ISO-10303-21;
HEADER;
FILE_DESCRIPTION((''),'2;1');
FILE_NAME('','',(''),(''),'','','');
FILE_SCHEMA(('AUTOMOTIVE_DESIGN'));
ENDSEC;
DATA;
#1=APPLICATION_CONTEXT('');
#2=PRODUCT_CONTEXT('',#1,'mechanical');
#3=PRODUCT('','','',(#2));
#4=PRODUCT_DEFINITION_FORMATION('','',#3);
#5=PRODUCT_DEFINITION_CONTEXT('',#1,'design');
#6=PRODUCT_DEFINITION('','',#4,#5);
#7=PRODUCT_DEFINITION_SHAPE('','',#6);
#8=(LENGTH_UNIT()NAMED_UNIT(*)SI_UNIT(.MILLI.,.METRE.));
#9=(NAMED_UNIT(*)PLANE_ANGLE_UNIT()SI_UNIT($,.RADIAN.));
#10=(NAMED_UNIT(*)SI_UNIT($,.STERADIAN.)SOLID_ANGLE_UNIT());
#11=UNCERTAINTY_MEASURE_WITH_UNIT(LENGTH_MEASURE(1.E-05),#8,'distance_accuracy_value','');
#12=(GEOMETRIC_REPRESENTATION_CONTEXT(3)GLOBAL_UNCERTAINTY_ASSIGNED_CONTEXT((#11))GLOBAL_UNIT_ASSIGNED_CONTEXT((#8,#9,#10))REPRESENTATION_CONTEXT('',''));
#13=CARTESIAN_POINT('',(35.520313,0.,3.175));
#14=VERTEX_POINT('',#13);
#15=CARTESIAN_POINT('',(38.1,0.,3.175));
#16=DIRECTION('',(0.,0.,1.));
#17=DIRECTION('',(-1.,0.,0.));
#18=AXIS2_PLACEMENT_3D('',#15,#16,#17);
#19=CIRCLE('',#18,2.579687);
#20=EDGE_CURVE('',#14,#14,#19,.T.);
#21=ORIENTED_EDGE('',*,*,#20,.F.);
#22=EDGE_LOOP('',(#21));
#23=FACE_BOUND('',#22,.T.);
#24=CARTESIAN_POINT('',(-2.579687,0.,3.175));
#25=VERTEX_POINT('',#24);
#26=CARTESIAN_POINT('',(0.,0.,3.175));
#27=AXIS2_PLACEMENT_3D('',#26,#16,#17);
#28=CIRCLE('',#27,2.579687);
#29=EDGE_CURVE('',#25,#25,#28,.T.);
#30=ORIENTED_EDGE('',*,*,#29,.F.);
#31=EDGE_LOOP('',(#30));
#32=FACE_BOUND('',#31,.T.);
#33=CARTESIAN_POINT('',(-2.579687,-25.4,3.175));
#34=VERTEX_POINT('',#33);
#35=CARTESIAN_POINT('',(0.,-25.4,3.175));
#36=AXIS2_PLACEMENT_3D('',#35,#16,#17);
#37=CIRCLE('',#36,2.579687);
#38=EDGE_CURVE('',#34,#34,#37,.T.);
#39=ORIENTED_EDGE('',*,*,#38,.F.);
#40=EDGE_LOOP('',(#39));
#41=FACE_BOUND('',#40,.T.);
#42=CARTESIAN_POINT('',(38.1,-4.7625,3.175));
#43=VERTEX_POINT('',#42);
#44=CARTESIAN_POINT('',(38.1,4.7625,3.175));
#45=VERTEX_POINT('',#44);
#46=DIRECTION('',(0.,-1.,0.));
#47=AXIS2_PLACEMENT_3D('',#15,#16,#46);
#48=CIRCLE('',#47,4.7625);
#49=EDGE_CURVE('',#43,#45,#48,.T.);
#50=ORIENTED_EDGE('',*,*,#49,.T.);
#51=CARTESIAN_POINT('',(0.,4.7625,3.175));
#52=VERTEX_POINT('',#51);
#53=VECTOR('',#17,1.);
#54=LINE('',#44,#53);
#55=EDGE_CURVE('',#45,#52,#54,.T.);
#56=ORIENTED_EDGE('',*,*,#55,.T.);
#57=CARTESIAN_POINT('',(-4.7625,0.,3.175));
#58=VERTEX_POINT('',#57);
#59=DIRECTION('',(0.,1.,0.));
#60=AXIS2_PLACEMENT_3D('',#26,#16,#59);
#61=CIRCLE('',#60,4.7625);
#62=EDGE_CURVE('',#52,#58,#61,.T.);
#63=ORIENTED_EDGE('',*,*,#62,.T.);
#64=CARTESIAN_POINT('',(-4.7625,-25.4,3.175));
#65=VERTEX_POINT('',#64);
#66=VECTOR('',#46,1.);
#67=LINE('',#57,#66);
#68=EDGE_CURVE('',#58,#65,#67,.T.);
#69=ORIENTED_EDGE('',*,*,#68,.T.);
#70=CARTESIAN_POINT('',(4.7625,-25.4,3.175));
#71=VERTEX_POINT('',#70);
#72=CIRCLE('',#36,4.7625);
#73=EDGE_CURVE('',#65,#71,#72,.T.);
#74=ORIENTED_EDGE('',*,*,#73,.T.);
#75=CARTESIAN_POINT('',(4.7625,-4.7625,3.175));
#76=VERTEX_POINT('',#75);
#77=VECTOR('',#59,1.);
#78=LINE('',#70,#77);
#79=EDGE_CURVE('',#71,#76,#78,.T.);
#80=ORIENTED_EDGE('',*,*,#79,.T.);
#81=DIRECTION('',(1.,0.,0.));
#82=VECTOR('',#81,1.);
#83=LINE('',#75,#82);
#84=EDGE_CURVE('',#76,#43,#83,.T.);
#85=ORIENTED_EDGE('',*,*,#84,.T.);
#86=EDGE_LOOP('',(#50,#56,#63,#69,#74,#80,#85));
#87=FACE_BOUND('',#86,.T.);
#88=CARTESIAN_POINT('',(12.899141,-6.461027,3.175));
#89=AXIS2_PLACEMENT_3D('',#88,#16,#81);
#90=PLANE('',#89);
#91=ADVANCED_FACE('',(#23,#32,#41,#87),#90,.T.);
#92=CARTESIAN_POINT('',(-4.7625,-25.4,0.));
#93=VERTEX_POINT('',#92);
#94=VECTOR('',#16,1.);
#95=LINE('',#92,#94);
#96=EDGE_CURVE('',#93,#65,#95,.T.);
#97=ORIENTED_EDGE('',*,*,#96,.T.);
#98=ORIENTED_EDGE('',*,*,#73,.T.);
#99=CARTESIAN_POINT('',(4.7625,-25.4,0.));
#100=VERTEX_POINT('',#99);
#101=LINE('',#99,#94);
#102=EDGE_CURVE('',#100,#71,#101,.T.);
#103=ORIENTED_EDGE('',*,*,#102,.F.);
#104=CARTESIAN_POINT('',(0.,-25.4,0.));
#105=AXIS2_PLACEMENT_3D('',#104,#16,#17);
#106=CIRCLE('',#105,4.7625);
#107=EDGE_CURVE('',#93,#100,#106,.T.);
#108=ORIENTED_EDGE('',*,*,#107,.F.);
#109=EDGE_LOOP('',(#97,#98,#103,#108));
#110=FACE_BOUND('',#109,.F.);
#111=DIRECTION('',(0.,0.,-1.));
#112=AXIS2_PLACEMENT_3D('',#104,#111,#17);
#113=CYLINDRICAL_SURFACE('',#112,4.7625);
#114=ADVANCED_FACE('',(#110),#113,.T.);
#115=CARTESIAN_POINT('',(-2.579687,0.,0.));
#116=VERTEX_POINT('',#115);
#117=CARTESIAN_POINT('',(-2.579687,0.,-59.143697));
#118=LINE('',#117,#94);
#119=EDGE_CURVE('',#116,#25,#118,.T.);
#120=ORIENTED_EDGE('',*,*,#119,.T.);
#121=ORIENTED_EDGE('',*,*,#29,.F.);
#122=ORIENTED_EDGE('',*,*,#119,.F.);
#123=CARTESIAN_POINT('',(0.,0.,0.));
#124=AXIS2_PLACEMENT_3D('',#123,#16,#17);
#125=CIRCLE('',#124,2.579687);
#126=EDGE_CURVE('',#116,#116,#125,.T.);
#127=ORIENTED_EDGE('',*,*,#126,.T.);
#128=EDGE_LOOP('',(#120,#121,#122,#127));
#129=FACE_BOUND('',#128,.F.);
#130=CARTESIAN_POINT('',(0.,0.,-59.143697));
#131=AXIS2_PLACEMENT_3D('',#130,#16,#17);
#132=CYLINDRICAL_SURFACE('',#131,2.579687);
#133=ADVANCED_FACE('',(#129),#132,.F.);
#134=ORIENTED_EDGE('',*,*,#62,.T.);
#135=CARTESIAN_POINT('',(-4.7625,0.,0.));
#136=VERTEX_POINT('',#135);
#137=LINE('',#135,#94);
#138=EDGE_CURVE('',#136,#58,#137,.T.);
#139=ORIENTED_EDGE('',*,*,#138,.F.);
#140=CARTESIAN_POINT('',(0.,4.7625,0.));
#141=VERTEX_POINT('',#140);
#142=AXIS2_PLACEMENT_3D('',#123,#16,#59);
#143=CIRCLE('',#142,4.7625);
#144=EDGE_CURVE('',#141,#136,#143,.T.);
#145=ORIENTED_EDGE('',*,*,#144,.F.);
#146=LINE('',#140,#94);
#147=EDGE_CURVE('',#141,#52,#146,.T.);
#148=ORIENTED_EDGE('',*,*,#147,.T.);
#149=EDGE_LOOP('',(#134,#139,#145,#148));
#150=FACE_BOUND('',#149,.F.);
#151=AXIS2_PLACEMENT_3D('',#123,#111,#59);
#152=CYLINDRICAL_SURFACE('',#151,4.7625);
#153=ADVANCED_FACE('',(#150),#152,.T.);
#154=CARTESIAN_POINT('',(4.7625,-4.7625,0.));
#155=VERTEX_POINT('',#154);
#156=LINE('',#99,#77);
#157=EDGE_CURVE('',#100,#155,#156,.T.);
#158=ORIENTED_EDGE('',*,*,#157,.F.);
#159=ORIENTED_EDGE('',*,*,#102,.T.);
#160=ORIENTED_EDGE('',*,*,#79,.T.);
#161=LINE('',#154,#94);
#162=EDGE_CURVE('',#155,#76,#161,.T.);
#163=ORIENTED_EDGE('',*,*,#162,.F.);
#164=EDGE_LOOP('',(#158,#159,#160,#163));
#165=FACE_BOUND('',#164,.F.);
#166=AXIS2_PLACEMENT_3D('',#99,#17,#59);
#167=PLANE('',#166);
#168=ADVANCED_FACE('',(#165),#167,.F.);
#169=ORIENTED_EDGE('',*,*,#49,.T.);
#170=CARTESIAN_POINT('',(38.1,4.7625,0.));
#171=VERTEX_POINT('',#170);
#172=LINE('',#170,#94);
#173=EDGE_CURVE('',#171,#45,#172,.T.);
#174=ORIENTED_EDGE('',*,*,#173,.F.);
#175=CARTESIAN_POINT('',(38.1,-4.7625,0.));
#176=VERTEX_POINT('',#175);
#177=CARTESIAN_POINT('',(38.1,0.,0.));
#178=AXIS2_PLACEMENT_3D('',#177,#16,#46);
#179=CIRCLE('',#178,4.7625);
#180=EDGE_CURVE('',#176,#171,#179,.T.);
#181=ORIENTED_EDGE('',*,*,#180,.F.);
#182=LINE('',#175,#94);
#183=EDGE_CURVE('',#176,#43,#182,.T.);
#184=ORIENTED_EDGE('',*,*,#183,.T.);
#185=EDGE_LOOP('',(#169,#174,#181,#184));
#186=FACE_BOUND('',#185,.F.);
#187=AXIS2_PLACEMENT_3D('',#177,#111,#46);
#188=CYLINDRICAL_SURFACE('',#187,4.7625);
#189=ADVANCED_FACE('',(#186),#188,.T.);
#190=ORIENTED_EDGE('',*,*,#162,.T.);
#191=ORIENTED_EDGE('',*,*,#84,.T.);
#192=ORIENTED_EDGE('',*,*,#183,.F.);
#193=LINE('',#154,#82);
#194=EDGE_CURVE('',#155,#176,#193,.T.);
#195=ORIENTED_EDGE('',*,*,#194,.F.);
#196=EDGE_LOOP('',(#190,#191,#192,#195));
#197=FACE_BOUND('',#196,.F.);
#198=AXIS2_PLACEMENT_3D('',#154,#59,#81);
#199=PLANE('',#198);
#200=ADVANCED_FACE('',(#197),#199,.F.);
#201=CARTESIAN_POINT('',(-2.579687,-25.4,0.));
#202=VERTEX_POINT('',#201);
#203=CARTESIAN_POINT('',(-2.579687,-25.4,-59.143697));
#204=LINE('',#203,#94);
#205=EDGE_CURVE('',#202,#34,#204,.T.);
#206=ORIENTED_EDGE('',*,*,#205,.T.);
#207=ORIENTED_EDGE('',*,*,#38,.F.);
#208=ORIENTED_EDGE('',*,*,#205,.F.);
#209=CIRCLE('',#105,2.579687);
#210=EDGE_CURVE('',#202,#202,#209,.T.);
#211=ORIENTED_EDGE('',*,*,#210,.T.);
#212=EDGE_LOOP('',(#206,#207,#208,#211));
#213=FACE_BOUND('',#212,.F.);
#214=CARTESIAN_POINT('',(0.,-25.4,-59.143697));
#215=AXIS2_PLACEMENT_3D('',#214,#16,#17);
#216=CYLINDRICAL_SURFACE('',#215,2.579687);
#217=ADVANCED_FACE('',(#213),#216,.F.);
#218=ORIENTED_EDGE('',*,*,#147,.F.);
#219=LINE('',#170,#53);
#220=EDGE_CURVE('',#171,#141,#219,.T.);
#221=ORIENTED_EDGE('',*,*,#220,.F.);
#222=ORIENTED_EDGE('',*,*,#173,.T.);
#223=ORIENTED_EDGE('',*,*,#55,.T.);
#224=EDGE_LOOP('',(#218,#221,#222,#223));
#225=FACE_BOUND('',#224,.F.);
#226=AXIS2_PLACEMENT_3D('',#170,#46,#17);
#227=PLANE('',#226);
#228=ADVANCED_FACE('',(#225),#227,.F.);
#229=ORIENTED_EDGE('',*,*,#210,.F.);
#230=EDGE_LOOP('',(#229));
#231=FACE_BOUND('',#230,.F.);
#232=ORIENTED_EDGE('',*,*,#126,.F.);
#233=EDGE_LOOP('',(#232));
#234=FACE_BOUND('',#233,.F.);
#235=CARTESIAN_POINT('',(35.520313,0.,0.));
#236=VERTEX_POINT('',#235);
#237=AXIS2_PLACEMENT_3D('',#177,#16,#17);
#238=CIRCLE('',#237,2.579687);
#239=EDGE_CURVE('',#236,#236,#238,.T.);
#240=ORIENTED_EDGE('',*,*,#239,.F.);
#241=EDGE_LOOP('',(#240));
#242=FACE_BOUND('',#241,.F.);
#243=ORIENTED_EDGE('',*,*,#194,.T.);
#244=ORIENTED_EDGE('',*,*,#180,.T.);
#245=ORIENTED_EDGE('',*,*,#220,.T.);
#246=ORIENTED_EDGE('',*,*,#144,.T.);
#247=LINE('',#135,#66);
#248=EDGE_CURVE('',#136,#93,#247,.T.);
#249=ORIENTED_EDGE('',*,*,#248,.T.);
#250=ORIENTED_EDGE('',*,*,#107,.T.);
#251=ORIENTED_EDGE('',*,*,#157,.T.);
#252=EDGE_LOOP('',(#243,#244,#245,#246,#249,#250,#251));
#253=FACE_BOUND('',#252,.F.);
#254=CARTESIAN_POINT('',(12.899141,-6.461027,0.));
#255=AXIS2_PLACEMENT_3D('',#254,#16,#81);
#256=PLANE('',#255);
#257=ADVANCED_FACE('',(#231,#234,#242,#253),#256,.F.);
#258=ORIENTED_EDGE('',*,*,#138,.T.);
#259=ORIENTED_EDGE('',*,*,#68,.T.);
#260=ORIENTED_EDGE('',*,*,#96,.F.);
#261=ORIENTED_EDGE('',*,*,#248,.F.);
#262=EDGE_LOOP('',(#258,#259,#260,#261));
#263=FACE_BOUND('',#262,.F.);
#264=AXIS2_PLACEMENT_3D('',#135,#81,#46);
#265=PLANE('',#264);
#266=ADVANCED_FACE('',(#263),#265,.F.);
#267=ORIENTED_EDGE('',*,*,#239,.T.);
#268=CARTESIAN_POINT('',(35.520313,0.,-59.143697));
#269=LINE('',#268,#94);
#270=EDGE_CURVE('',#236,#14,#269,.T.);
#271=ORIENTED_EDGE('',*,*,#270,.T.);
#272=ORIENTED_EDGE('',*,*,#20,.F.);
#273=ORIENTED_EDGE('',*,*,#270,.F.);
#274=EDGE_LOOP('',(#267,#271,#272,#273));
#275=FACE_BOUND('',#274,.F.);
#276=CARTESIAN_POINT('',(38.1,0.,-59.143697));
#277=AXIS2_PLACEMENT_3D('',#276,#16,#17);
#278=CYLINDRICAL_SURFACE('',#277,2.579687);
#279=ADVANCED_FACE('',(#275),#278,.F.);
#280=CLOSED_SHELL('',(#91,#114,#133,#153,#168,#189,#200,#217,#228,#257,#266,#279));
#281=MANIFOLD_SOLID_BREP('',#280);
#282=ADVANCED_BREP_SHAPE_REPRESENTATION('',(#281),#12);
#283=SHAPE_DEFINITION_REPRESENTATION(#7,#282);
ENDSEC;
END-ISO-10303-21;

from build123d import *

# Parameters (mm, degrees)
F1_DEPTH = 3.175
F2_D     = 5.159375


with BuildPart() as f1:
    # F0 (on Top) → F1 (new body)
    with BuildSketch(Plane.XY):
        with BuildLine():
            Line((-4.7625, 0), (-4.7625, -25.4))
            ThreePointArc((-4.7625, -25.4), (0, -30.1625), (4.7625, -25.4))
            Line((4.7625, -25.4), (4.7625, -4.7625))
            Line((4.7625, -4.7625), (38.1, -4.7625))
            ThreePointArc((38.1, -4.7625), (42.8625, 0), (38.1, 4.7625))
            Line((38.1, 4.7625), (0, 4.7625))
            ThreePointArc((0, 4.7625), (-3.3675960454, 3.3675960454), (-4.7625, 0))
        make_face()
    extrude(amount=F1_DEPTH)

    # F2 (through all)
    with Locations(Plane(origin=(0, 0, 0), x_dir=(1, 0, 0), z_dir=(0, 0, -1))):
        with Locations((0, 25.4), (0, 0), (38.1, 0)):
            Hole(F2_D / 2)


solid = f1.part
